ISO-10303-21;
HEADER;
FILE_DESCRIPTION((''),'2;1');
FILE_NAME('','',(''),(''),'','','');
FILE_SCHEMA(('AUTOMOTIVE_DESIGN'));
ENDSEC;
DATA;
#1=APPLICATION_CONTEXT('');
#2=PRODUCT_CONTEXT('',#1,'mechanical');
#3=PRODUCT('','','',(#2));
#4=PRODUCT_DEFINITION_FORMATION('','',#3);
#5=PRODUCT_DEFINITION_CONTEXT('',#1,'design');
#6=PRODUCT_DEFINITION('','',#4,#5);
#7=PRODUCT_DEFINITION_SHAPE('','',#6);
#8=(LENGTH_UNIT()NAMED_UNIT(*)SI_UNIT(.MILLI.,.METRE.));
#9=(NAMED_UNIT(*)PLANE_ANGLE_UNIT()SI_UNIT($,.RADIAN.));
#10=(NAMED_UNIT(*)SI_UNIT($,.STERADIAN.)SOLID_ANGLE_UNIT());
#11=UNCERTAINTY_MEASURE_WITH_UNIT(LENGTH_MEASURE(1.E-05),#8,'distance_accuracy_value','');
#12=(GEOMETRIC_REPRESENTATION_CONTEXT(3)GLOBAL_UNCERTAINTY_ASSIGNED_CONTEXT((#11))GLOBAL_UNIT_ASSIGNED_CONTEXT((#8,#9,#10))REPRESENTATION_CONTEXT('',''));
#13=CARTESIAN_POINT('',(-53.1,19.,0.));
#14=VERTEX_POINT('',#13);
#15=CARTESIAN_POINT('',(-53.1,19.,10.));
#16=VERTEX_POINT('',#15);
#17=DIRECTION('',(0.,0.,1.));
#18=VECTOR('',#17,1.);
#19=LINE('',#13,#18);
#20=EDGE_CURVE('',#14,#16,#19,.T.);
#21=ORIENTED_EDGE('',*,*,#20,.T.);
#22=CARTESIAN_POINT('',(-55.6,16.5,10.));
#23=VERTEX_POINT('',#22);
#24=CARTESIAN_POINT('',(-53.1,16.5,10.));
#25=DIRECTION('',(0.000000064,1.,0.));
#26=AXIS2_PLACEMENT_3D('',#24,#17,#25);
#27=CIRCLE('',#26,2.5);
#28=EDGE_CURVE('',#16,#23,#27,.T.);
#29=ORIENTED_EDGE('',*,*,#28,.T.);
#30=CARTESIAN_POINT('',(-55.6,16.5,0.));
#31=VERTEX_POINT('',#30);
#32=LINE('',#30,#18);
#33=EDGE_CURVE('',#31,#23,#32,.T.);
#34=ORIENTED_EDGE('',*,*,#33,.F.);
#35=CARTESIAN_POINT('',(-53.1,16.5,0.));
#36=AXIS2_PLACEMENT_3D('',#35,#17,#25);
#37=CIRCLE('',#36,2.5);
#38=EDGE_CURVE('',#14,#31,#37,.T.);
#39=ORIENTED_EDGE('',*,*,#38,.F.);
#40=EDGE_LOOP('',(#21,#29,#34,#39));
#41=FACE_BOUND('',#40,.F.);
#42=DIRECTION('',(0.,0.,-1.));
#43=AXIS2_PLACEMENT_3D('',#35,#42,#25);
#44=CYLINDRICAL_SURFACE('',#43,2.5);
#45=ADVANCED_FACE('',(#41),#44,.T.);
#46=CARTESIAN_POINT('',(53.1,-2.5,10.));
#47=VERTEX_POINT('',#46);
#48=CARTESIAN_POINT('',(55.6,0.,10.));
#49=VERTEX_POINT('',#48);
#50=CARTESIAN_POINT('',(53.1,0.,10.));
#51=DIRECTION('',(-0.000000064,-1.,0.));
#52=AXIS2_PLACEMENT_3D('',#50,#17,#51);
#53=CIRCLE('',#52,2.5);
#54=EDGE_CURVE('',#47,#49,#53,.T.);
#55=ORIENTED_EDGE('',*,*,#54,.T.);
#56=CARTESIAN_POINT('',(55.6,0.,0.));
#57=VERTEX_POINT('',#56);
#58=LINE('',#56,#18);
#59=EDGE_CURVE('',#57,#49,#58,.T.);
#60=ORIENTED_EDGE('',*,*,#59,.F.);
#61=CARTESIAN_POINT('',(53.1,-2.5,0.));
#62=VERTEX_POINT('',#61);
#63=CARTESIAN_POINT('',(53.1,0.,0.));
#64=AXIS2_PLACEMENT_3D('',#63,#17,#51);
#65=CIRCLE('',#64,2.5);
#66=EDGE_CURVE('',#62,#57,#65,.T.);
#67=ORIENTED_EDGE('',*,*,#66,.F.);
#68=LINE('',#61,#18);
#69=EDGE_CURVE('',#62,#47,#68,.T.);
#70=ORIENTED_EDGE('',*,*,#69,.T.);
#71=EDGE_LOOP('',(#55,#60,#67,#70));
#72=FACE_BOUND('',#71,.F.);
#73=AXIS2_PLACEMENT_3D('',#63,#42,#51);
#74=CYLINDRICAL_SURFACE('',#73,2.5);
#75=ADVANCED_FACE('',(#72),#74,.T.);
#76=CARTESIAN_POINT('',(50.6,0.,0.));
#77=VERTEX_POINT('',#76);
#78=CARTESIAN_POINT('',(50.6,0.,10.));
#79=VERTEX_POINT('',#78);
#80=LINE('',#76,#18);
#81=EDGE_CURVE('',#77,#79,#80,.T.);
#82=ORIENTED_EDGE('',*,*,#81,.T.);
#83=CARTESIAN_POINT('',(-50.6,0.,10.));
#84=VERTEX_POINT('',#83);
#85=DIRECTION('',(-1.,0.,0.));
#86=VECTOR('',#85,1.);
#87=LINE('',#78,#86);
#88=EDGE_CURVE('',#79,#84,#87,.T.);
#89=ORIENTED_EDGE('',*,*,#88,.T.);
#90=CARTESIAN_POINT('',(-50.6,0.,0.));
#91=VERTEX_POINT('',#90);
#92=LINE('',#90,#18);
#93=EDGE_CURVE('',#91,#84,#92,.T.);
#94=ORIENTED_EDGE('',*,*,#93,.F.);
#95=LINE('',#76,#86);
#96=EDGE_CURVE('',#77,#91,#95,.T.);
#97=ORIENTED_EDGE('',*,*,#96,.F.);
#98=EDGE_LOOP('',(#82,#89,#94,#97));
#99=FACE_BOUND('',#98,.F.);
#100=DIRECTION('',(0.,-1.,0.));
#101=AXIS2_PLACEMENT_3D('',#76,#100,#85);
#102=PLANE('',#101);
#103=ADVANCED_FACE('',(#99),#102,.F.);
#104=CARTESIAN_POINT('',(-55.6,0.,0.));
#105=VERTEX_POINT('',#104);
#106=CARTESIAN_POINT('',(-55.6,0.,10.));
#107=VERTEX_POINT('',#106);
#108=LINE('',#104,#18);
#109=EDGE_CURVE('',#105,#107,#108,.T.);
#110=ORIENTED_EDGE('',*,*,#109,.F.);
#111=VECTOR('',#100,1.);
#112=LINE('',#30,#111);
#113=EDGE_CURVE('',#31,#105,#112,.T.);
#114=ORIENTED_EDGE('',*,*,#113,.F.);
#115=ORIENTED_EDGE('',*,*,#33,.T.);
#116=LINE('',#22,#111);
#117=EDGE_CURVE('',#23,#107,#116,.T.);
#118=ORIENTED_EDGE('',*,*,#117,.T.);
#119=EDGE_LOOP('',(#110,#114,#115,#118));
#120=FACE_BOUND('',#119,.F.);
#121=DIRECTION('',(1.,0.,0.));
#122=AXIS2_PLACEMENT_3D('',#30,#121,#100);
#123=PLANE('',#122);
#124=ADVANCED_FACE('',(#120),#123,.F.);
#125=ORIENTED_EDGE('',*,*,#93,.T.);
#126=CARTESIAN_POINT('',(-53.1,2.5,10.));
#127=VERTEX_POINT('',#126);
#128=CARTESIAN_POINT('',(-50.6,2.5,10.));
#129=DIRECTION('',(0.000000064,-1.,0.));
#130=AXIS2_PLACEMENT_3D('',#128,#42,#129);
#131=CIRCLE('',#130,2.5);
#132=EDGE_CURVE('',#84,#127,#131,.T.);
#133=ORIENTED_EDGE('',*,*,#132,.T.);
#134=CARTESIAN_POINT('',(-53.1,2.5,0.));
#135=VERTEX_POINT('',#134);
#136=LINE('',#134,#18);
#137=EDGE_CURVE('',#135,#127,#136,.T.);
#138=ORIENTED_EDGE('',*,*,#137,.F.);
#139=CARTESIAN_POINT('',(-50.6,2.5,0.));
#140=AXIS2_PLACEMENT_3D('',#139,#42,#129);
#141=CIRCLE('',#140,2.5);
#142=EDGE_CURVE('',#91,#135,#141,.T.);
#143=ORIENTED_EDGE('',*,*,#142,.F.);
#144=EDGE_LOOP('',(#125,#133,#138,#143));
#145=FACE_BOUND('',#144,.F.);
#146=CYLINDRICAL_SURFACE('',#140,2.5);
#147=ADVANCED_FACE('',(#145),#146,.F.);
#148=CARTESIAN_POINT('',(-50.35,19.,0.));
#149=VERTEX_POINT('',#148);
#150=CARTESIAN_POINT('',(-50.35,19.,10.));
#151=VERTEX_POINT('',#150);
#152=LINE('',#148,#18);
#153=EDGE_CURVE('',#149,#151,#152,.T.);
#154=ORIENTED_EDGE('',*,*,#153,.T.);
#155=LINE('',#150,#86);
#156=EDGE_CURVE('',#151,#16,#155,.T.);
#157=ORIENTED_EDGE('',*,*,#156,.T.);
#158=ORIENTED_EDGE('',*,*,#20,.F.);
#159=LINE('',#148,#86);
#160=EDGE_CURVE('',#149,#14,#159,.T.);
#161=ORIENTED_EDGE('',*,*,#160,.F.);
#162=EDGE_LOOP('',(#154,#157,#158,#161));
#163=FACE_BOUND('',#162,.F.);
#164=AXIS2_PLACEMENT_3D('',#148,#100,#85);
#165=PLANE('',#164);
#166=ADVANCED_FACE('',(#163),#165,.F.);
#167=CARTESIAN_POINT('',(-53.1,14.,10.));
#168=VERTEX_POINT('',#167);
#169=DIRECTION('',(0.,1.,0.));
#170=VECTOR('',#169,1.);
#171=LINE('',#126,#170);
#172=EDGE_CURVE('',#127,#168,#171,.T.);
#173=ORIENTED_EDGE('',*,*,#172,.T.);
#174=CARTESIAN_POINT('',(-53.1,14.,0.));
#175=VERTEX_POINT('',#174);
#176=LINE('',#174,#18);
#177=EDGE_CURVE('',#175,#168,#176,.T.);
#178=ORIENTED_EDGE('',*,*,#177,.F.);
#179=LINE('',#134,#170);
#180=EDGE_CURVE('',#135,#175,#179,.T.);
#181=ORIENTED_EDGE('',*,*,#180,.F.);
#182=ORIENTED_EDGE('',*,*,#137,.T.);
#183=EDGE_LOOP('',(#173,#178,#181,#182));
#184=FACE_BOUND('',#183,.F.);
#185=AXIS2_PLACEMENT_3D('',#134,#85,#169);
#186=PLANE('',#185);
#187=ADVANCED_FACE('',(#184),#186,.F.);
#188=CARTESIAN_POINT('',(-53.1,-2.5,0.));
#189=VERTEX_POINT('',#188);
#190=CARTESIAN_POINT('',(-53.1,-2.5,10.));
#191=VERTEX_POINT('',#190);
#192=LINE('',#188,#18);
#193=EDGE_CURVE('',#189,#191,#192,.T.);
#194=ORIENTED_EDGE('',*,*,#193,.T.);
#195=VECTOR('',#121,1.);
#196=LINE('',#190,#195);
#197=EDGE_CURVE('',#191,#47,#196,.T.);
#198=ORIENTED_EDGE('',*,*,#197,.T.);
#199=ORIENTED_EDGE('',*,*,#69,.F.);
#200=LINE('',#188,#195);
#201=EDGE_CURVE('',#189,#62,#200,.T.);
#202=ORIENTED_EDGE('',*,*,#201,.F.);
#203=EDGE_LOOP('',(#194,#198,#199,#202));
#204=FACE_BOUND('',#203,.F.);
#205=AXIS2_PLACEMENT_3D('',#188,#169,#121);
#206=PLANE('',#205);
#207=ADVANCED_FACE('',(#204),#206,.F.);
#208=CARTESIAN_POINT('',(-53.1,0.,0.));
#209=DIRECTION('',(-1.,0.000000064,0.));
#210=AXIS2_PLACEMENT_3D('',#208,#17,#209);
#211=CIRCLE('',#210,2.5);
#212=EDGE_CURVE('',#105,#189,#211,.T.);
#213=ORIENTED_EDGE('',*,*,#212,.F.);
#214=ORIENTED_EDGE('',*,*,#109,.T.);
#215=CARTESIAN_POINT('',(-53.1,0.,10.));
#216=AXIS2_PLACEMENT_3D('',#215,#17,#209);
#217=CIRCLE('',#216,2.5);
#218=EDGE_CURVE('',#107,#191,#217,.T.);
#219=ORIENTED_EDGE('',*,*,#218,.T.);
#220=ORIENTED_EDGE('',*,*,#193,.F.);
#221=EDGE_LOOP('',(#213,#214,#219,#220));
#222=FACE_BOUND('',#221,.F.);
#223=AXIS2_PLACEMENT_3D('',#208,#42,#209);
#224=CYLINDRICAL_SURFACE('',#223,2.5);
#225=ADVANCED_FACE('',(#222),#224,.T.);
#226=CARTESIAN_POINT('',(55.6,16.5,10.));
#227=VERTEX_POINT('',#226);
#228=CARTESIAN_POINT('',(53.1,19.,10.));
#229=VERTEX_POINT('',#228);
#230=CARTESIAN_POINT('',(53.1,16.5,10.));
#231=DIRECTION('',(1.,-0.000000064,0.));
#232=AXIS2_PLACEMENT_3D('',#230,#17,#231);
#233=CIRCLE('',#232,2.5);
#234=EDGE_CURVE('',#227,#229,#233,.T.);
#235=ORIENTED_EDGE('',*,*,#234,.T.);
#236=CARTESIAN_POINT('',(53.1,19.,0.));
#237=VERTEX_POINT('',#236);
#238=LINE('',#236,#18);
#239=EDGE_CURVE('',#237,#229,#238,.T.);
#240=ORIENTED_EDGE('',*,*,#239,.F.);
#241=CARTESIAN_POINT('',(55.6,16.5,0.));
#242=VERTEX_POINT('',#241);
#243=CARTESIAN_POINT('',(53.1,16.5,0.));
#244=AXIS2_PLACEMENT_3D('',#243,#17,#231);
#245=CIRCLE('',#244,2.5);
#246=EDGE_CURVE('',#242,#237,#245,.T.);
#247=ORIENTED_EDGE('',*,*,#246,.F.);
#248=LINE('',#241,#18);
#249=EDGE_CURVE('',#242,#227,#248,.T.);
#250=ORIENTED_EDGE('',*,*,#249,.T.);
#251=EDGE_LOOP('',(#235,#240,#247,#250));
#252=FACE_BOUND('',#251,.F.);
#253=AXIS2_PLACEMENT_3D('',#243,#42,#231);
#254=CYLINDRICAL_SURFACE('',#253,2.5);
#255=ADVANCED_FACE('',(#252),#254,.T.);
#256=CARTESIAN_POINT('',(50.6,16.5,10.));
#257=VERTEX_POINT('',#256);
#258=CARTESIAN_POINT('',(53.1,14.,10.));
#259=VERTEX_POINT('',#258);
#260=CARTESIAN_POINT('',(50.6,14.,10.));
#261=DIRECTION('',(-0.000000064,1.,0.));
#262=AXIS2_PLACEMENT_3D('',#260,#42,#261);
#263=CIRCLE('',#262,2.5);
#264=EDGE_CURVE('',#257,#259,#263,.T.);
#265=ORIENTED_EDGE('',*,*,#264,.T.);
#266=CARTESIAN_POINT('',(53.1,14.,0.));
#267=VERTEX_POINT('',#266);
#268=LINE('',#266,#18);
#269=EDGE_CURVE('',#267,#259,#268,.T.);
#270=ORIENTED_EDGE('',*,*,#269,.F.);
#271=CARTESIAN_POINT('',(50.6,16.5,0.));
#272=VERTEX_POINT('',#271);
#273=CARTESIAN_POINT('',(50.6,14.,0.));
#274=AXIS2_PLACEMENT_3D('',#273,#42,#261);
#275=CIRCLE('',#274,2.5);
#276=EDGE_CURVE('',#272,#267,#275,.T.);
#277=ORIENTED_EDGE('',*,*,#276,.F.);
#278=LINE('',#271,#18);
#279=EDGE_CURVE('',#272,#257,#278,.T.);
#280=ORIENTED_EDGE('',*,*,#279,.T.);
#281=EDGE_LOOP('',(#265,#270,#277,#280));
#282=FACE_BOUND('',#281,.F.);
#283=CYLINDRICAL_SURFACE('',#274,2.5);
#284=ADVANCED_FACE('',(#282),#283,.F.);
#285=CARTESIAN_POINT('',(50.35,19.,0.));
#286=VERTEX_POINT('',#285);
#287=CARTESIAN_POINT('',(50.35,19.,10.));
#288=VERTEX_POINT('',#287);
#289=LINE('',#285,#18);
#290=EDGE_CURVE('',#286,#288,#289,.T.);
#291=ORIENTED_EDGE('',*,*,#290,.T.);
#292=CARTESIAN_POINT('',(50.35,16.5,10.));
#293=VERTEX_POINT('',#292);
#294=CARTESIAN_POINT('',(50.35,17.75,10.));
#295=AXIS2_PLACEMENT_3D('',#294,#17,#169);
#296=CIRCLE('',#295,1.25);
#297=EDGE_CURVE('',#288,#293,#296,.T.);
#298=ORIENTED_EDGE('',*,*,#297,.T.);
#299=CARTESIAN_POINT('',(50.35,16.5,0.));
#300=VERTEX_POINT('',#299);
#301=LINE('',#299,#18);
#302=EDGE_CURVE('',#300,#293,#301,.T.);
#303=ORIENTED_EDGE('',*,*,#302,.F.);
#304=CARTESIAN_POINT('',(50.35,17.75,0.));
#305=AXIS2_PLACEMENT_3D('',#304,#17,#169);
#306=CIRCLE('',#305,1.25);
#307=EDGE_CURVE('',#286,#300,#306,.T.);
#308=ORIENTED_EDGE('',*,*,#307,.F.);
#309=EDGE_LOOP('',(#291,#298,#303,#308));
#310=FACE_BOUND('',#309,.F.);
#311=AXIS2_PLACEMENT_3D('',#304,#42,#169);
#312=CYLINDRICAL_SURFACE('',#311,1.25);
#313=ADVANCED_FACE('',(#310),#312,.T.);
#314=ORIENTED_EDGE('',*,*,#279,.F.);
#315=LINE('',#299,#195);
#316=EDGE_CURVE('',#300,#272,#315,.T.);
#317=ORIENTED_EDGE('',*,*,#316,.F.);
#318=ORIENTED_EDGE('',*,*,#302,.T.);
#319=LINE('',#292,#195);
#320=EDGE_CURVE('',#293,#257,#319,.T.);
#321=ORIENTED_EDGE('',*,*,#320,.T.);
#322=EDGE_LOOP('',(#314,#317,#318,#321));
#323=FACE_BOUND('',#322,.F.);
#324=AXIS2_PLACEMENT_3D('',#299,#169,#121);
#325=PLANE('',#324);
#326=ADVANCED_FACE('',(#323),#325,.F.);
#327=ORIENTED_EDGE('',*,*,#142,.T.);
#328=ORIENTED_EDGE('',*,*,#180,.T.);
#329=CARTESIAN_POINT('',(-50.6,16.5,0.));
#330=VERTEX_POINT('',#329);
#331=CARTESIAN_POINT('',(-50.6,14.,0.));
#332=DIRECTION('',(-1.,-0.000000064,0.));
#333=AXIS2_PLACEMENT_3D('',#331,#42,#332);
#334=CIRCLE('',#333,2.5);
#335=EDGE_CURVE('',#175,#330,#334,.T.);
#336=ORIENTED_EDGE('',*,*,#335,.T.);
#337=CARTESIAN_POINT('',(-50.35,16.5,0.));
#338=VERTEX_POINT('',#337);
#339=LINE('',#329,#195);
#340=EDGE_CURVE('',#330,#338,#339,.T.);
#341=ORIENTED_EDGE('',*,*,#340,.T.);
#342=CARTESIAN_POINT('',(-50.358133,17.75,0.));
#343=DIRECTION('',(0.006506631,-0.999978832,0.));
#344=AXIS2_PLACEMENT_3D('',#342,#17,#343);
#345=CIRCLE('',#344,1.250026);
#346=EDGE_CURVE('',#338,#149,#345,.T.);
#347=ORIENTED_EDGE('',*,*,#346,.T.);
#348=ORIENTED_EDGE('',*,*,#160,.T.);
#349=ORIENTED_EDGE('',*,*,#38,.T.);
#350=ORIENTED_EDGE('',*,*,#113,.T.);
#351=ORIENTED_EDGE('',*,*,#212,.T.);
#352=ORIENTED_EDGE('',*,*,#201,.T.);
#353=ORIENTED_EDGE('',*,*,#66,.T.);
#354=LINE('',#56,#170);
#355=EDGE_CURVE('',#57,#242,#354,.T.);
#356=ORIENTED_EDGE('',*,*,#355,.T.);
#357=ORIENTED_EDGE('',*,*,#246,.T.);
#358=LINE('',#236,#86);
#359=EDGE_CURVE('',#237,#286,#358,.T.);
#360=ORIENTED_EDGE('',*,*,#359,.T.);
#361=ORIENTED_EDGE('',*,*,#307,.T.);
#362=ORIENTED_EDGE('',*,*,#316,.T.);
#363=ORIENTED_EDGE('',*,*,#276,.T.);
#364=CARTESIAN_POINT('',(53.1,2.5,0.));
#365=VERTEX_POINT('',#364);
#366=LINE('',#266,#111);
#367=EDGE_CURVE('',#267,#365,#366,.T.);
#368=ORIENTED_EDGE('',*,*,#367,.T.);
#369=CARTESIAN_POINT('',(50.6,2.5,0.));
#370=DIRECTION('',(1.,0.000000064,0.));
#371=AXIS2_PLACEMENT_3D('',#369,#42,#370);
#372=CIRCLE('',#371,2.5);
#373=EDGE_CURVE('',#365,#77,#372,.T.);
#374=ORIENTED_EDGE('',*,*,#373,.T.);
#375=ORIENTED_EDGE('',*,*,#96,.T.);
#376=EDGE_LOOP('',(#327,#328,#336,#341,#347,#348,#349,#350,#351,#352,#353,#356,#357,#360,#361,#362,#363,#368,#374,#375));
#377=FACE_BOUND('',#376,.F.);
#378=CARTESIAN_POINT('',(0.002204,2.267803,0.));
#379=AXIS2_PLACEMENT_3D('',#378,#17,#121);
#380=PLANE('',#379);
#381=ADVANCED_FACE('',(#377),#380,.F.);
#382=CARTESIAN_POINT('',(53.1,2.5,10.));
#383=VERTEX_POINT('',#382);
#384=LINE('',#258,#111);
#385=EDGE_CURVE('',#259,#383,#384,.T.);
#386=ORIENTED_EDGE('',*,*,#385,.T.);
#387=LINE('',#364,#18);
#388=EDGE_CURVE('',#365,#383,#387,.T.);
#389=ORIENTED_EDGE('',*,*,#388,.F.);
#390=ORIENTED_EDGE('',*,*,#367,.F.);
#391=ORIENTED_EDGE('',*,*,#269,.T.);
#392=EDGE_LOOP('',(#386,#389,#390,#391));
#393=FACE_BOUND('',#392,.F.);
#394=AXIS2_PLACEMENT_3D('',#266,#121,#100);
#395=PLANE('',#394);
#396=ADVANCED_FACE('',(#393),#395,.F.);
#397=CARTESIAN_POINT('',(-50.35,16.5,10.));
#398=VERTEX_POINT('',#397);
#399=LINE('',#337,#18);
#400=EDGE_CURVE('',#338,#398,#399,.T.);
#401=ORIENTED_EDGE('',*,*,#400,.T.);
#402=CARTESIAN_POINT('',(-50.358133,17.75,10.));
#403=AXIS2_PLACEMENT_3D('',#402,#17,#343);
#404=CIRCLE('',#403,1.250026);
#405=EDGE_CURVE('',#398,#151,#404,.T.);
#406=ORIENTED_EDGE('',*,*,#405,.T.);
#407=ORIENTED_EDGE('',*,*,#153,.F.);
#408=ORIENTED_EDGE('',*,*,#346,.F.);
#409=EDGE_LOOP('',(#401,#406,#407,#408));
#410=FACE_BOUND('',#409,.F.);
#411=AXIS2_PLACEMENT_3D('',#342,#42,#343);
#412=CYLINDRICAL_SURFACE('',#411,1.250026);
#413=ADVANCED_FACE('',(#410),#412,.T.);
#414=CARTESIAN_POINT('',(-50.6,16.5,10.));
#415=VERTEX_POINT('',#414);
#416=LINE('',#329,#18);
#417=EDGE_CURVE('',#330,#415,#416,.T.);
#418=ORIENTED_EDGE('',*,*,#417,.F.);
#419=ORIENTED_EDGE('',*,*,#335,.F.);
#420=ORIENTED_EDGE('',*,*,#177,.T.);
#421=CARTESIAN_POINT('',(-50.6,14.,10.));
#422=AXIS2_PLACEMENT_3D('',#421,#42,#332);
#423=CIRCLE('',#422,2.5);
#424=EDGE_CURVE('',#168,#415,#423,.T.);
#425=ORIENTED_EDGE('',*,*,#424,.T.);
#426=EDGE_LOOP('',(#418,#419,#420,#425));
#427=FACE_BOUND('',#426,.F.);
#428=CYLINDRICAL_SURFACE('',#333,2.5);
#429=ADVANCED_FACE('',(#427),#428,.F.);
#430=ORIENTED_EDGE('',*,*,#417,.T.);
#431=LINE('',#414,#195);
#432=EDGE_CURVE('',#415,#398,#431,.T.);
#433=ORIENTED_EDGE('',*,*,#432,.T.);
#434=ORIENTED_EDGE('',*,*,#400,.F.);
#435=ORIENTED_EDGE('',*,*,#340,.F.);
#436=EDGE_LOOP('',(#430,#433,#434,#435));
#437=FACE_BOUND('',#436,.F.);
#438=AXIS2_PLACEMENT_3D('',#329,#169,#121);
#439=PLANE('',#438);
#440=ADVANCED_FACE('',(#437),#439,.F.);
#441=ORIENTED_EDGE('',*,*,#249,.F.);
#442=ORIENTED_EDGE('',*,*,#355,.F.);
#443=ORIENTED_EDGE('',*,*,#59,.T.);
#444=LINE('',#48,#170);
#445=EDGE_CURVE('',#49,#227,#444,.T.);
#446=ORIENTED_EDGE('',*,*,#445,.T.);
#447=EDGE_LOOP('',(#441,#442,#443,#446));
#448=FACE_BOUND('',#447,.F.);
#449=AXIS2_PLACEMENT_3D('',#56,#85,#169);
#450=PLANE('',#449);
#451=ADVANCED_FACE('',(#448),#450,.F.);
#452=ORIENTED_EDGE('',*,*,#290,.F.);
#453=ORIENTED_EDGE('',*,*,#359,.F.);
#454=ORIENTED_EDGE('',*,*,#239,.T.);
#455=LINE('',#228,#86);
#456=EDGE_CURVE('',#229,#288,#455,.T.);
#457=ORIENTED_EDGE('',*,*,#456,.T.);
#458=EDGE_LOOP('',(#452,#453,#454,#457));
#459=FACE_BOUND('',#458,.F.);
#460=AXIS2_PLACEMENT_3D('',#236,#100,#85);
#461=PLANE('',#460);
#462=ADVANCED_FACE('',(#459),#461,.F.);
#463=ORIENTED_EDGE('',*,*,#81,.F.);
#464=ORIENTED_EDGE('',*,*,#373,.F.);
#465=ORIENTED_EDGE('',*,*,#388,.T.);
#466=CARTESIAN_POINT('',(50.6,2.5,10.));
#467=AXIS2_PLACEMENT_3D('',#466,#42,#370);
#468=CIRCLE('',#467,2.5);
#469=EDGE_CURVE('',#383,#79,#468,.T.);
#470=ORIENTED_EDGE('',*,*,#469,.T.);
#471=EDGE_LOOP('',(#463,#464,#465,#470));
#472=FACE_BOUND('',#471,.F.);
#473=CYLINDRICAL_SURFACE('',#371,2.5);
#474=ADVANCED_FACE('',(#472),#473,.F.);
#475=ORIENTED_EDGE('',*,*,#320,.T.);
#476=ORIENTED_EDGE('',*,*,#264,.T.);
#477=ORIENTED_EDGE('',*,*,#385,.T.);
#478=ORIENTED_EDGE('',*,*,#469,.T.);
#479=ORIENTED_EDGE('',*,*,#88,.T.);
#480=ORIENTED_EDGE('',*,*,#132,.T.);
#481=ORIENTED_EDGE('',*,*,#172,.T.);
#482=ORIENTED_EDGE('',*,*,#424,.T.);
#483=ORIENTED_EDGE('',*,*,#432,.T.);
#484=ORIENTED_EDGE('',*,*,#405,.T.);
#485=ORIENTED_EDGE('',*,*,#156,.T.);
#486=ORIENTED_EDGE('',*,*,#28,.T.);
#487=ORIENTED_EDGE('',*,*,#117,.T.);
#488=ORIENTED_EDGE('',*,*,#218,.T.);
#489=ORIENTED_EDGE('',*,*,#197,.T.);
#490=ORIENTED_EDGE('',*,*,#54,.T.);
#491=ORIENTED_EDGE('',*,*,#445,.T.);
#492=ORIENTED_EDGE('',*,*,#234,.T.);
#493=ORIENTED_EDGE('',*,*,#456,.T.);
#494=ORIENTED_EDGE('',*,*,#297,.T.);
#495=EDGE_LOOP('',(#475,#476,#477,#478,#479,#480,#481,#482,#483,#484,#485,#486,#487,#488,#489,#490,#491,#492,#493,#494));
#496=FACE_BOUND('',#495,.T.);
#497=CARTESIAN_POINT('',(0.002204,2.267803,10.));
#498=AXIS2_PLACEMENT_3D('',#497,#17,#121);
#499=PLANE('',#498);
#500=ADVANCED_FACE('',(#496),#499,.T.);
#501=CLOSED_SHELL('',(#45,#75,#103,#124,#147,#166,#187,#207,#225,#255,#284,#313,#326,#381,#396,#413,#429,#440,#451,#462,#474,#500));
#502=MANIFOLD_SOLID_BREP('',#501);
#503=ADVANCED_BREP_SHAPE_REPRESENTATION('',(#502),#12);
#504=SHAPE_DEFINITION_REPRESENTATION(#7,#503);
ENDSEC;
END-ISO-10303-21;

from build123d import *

# Parameters (mm, degrees)
F1_DEPTH = 10


with BuildPart() as f1:
    # F0 (on Top) → F1 (new body)
    with BuildSketch(Plane.XY):
        with BuildLine():
            Line((50.6, 0), (0, 0))
            Line((0, 0), (-50.6, 0))
            ThreePointArc((-50.6, 0), (-52.367767, 0.732233), (-53.1, 2.5))
            Line((-53.1, 2.5), (-53.1, 14))
            ThreePointArc((-53.1, 14), (-52.367767, 15.767767), (-50.6, 16.5))
            Line((-50.6, 16.5), (-50.35, 16.5))
            ThreePointArc((-50.35, 16.5), (-49.108107, 17.75), (-50.35, 19))
            Line((-50.35, 19), (-53.1, 19))
            ThreePointArc((-53.1, 19), (-54.867767, 18.267767), (-55.6, 16.5))
            Line((-55.6, 16.5), (-55.6, 0))
            ThreePointArc((-55.6, 0), (-54.867767, -1.767767), (-53.1, -2.5))
            Line((-53.1, -2.5), (0, -2.5))
            Line((0, -2.5), (53.1, -2.5))
            ThreePointArc((53.1, -2.5), (54.867767, -1.767767), (55.6, 0))
            Line((55.6, 0), (55.6, 16.5))
            ThreePointArc((55.6, 16.5), (54.867767, 18.267767), (53.1, 19))
            Line((53.1, 19), (50.35, 19))
            ThreePointArc((50.35, 19), (49.1, 17.75), (50.35, 16.5))
            Line((50.35, 16.5), (50.6, 16.5))
            ThreePointArc((50.6, 16.5), (52.367767, 15.767767), (53.1, 14))
            Line((53.1, 14), (53.1, 2.5))
            ThreePointArc((53.1, 2.5), (52.367767, 0.732233), (50.6, 0))
        make_face()
    extrude(amount=F1_DEPTH)


solid = f1.part
